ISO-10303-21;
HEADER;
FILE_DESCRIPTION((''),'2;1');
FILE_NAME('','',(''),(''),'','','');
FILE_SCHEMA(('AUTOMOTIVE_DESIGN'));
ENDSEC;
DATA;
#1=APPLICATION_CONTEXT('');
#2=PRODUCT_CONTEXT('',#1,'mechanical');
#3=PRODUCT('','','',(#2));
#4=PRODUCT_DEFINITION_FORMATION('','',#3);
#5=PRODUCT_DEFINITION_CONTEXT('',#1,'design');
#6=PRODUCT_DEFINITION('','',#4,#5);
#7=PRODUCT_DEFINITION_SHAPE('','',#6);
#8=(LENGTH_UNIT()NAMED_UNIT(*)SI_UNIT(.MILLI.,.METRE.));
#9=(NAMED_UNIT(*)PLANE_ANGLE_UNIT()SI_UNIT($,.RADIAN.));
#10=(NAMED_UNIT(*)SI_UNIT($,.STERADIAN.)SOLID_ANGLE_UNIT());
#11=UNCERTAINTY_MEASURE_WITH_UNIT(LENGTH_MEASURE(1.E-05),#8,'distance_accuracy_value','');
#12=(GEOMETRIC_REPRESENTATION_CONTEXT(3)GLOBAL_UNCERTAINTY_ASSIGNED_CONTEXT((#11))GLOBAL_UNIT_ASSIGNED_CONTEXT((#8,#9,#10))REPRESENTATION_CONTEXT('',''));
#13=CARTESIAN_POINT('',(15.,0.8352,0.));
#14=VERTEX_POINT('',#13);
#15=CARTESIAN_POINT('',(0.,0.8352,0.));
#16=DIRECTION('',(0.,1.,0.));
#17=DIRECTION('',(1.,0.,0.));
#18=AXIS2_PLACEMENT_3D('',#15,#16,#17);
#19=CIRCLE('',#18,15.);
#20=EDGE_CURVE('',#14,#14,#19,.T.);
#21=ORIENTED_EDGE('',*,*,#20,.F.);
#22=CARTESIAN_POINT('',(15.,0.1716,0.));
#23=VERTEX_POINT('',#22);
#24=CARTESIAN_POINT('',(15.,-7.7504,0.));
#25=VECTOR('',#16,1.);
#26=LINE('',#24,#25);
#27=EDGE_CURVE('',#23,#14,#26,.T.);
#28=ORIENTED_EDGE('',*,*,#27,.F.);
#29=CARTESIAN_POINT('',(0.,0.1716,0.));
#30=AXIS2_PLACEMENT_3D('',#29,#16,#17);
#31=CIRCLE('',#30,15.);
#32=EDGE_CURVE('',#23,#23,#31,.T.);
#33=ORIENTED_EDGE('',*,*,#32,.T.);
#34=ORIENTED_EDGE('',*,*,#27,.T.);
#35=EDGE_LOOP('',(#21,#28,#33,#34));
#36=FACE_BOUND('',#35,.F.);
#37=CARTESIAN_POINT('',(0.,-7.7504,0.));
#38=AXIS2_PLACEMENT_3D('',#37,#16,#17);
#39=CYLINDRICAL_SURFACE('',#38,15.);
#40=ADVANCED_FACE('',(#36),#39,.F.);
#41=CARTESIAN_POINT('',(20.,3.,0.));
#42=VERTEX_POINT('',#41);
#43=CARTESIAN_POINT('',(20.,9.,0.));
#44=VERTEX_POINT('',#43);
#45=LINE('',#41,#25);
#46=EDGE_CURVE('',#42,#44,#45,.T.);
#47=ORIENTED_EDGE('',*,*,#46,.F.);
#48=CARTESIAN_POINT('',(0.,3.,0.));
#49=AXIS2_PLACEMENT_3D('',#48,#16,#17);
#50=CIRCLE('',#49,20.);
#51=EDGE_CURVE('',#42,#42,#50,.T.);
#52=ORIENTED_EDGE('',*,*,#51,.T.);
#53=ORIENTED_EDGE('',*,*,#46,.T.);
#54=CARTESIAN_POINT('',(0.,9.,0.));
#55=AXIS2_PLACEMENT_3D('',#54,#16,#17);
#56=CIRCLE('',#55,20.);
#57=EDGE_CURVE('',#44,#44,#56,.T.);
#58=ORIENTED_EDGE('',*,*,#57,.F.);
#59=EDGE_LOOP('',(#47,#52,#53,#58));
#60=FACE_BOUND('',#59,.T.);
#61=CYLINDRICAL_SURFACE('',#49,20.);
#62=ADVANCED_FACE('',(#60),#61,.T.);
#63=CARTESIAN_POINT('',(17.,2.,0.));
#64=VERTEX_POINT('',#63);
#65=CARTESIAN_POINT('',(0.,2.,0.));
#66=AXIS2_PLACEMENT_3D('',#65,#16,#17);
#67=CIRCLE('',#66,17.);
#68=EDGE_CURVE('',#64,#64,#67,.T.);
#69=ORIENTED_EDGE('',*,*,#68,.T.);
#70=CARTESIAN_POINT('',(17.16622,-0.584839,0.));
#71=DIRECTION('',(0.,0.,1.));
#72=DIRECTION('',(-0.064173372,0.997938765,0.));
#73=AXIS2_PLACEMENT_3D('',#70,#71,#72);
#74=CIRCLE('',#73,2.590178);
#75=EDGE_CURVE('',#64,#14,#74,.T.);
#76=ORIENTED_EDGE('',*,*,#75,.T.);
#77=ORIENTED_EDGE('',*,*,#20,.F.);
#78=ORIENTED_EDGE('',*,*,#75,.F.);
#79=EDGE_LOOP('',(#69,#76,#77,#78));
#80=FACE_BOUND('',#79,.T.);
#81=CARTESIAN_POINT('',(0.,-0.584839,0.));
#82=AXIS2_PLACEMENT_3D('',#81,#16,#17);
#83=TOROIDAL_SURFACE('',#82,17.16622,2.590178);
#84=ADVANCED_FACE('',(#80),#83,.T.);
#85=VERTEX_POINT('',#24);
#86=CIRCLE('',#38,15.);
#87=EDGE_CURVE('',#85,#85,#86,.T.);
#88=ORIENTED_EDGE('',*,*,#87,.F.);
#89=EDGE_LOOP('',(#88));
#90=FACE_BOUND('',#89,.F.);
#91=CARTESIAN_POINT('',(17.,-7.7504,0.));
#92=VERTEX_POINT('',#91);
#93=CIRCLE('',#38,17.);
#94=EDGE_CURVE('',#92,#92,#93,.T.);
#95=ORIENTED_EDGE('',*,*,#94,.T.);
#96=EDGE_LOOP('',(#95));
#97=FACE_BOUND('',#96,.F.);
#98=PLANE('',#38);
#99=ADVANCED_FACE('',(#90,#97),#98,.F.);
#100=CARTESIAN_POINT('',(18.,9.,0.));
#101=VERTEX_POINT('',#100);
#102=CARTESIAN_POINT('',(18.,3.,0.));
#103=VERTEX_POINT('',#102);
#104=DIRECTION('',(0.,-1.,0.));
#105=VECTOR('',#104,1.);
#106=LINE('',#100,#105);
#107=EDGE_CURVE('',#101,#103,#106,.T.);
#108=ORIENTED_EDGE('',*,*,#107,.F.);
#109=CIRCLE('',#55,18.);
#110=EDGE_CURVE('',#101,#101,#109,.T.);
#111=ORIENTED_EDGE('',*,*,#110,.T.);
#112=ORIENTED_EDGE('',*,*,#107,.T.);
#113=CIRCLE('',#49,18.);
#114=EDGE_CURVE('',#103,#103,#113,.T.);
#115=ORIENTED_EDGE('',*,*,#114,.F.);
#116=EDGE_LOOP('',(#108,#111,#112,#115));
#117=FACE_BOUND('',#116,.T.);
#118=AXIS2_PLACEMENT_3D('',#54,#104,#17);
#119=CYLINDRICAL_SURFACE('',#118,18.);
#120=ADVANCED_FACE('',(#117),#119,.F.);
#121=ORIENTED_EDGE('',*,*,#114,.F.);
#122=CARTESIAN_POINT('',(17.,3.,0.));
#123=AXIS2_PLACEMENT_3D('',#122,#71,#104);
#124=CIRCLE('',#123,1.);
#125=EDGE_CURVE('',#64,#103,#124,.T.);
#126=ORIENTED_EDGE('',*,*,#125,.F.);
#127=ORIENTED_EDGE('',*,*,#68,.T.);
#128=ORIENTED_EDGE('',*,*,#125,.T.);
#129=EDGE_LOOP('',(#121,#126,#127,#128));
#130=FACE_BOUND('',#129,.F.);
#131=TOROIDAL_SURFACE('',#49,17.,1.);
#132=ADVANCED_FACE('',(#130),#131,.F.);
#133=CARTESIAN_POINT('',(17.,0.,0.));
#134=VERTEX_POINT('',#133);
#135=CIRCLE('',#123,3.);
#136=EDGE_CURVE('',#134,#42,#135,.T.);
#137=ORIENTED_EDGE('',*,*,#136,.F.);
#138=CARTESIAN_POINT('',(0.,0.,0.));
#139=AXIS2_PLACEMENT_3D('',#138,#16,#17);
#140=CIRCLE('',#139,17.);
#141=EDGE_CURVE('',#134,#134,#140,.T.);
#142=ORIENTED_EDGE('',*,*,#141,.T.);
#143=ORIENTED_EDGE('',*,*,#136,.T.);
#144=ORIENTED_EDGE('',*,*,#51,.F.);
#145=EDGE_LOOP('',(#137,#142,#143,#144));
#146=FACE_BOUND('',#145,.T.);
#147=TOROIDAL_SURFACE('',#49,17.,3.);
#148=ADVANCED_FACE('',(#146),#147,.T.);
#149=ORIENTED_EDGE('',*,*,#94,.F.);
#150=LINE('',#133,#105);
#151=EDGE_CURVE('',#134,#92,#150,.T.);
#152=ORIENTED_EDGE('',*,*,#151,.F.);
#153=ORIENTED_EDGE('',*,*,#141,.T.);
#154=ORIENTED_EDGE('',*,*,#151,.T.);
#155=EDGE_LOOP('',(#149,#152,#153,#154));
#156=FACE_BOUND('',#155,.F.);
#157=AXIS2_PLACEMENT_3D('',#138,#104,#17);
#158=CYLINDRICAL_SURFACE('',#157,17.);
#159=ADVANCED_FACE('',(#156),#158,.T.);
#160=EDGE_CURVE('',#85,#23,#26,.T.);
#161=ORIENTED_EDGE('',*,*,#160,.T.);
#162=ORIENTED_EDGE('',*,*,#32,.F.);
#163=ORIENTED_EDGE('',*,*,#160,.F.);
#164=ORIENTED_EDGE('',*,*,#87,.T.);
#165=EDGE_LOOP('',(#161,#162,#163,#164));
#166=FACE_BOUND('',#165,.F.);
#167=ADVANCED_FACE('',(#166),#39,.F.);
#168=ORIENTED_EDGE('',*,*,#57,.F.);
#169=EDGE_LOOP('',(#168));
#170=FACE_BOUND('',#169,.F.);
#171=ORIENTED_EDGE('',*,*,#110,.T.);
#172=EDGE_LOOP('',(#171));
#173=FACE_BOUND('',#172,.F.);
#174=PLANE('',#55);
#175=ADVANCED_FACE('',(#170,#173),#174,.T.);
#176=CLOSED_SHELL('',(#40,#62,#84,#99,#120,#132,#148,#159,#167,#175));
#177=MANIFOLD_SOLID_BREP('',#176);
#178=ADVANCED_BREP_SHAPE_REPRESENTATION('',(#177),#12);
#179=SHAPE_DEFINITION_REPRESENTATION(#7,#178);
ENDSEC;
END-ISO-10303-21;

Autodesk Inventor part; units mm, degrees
ref_plane "YZ Plane" through (0, 0, 0) normal (1, 0, 0) x (0, 1, 0)
ref_plane "XZ Plane" through (0, 0, 0) normal (0, 1, 0) x (-1, 0, 0)
ref_plane "XY Plane" through (0, 0, 0) normal (0, 0, 1) x (1, 0, 0)
sketch "Sketch1" plane through (0, 0, 0) normal (0, 0, 1) x (1, 0, 0)
  line L0 (0, 0) -> (17, 0) construction
  line L1 (20, 3) -> (20, 9)
  line L2 (17, 0) -> (17, -7.7504)
  arc A0 (17, 0) -> (20, 3) centre (17, 3) ccw
  line L3 (17, 0) -> (17, 0)
  line L4 (18, 9) -> (18, 3)
  arc A1 (17, 2) -> (18, 3) centre (17, 3) ccw
  line L5 (17, 2) -> (0, 2)
  line L6 (15, -7.7504) -> (15, 0.8352)
  line L7 (15, 0.8352) -> (15, 0.1716)
  arc A2 (17, 2) -> (15, 0.8352) centre (17.1663, -0.5851) ccw
  line L8 (18, 9) -> (20, 9)
  line L9 (17, -7.7504) -> (15, -7.7504)
  line L10 (0, 0) -> (0, 2.7427)
  point P0 (20, 0)
  point P1 (15, 0.1716)
  point P2 (17, 0)
  dimension "d0" = 9
  dimension "d1" = 3
  dimension "d3" = 17
  dimension "d4" = 3
  dimension "d5" = 2
  dimension "d9" = 2
revolve "Revolution1" add sketch "Sketch1" angle 360 about axis through (0, 0, 0) along (0, 1, 0)
equation "\"d9\" = d5"
properties part number "headset bearing" material "Steel, Alloy"
